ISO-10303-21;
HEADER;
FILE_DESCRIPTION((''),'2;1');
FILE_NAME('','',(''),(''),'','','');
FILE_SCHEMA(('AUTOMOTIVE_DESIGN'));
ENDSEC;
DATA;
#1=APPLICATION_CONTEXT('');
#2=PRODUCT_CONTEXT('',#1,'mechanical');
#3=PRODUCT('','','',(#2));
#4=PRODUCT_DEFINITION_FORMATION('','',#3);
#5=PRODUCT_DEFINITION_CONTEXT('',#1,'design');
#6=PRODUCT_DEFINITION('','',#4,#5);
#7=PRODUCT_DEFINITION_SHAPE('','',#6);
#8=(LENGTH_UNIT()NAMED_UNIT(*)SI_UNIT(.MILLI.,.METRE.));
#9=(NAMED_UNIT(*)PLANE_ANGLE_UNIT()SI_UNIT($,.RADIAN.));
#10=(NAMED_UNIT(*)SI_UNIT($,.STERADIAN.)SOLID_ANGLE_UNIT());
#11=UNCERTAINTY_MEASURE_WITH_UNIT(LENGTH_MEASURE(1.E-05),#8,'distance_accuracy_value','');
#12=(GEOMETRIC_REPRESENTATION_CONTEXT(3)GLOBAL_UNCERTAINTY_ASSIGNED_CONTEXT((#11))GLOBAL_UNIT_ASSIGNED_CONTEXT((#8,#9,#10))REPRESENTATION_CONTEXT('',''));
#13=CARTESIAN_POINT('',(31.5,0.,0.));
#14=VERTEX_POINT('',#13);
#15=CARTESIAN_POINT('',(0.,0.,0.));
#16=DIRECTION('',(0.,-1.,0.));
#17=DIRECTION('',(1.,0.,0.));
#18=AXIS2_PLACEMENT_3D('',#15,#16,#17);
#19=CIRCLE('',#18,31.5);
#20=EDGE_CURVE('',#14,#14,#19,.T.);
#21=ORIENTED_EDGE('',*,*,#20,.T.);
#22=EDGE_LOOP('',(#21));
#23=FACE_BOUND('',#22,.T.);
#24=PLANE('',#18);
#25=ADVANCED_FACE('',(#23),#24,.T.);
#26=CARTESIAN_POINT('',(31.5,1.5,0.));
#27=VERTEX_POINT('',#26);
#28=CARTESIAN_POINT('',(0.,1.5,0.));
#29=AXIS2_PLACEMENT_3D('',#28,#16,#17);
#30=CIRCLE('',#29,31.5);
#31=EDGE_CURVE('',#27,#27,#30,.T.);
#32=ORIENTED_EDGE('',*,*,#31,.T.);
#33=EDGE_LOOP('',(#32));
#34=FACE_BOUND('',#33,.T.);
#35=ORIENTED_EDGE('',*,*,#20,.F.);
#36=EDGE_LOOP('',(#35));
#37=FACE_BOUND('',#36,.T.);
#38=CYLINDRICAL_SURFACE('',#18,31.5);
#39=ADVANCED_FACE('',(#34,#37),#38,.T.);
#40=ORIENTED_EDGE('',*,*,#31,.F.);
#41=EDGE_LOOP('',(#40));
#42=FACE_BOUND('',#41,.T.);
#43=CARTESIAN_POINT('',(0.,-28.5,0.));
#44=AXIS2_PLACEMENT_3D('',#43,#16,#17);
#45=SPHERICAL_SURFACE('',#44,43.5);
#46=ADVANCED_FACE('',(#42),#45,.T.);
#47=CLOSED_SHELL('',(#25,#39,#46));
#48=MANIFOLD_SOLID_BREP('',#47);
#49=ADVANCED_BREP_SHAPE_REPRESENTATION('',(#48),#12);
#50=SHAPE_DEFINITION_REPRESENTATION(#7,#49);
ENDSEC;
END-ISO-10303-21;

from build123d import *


with BuildPart() as part:
    # Эскиз1 → Повернуть1 (revolve)
    with BuildSketch(Plane.XY):
        with BuildLine():
            Line((0, 15), (0, 0))
            Line((0, 0), (31.5, 0))
            Line((31.5, 0), (31.5, 1.5))
            ThreePointArc((31.5, 1.5), (17.135489488, 11.482808806), (0, 15))
        make_face()
    revolve(axis=Axis((0, 0, 0), (0, 1, 0)))


solid = part.part
